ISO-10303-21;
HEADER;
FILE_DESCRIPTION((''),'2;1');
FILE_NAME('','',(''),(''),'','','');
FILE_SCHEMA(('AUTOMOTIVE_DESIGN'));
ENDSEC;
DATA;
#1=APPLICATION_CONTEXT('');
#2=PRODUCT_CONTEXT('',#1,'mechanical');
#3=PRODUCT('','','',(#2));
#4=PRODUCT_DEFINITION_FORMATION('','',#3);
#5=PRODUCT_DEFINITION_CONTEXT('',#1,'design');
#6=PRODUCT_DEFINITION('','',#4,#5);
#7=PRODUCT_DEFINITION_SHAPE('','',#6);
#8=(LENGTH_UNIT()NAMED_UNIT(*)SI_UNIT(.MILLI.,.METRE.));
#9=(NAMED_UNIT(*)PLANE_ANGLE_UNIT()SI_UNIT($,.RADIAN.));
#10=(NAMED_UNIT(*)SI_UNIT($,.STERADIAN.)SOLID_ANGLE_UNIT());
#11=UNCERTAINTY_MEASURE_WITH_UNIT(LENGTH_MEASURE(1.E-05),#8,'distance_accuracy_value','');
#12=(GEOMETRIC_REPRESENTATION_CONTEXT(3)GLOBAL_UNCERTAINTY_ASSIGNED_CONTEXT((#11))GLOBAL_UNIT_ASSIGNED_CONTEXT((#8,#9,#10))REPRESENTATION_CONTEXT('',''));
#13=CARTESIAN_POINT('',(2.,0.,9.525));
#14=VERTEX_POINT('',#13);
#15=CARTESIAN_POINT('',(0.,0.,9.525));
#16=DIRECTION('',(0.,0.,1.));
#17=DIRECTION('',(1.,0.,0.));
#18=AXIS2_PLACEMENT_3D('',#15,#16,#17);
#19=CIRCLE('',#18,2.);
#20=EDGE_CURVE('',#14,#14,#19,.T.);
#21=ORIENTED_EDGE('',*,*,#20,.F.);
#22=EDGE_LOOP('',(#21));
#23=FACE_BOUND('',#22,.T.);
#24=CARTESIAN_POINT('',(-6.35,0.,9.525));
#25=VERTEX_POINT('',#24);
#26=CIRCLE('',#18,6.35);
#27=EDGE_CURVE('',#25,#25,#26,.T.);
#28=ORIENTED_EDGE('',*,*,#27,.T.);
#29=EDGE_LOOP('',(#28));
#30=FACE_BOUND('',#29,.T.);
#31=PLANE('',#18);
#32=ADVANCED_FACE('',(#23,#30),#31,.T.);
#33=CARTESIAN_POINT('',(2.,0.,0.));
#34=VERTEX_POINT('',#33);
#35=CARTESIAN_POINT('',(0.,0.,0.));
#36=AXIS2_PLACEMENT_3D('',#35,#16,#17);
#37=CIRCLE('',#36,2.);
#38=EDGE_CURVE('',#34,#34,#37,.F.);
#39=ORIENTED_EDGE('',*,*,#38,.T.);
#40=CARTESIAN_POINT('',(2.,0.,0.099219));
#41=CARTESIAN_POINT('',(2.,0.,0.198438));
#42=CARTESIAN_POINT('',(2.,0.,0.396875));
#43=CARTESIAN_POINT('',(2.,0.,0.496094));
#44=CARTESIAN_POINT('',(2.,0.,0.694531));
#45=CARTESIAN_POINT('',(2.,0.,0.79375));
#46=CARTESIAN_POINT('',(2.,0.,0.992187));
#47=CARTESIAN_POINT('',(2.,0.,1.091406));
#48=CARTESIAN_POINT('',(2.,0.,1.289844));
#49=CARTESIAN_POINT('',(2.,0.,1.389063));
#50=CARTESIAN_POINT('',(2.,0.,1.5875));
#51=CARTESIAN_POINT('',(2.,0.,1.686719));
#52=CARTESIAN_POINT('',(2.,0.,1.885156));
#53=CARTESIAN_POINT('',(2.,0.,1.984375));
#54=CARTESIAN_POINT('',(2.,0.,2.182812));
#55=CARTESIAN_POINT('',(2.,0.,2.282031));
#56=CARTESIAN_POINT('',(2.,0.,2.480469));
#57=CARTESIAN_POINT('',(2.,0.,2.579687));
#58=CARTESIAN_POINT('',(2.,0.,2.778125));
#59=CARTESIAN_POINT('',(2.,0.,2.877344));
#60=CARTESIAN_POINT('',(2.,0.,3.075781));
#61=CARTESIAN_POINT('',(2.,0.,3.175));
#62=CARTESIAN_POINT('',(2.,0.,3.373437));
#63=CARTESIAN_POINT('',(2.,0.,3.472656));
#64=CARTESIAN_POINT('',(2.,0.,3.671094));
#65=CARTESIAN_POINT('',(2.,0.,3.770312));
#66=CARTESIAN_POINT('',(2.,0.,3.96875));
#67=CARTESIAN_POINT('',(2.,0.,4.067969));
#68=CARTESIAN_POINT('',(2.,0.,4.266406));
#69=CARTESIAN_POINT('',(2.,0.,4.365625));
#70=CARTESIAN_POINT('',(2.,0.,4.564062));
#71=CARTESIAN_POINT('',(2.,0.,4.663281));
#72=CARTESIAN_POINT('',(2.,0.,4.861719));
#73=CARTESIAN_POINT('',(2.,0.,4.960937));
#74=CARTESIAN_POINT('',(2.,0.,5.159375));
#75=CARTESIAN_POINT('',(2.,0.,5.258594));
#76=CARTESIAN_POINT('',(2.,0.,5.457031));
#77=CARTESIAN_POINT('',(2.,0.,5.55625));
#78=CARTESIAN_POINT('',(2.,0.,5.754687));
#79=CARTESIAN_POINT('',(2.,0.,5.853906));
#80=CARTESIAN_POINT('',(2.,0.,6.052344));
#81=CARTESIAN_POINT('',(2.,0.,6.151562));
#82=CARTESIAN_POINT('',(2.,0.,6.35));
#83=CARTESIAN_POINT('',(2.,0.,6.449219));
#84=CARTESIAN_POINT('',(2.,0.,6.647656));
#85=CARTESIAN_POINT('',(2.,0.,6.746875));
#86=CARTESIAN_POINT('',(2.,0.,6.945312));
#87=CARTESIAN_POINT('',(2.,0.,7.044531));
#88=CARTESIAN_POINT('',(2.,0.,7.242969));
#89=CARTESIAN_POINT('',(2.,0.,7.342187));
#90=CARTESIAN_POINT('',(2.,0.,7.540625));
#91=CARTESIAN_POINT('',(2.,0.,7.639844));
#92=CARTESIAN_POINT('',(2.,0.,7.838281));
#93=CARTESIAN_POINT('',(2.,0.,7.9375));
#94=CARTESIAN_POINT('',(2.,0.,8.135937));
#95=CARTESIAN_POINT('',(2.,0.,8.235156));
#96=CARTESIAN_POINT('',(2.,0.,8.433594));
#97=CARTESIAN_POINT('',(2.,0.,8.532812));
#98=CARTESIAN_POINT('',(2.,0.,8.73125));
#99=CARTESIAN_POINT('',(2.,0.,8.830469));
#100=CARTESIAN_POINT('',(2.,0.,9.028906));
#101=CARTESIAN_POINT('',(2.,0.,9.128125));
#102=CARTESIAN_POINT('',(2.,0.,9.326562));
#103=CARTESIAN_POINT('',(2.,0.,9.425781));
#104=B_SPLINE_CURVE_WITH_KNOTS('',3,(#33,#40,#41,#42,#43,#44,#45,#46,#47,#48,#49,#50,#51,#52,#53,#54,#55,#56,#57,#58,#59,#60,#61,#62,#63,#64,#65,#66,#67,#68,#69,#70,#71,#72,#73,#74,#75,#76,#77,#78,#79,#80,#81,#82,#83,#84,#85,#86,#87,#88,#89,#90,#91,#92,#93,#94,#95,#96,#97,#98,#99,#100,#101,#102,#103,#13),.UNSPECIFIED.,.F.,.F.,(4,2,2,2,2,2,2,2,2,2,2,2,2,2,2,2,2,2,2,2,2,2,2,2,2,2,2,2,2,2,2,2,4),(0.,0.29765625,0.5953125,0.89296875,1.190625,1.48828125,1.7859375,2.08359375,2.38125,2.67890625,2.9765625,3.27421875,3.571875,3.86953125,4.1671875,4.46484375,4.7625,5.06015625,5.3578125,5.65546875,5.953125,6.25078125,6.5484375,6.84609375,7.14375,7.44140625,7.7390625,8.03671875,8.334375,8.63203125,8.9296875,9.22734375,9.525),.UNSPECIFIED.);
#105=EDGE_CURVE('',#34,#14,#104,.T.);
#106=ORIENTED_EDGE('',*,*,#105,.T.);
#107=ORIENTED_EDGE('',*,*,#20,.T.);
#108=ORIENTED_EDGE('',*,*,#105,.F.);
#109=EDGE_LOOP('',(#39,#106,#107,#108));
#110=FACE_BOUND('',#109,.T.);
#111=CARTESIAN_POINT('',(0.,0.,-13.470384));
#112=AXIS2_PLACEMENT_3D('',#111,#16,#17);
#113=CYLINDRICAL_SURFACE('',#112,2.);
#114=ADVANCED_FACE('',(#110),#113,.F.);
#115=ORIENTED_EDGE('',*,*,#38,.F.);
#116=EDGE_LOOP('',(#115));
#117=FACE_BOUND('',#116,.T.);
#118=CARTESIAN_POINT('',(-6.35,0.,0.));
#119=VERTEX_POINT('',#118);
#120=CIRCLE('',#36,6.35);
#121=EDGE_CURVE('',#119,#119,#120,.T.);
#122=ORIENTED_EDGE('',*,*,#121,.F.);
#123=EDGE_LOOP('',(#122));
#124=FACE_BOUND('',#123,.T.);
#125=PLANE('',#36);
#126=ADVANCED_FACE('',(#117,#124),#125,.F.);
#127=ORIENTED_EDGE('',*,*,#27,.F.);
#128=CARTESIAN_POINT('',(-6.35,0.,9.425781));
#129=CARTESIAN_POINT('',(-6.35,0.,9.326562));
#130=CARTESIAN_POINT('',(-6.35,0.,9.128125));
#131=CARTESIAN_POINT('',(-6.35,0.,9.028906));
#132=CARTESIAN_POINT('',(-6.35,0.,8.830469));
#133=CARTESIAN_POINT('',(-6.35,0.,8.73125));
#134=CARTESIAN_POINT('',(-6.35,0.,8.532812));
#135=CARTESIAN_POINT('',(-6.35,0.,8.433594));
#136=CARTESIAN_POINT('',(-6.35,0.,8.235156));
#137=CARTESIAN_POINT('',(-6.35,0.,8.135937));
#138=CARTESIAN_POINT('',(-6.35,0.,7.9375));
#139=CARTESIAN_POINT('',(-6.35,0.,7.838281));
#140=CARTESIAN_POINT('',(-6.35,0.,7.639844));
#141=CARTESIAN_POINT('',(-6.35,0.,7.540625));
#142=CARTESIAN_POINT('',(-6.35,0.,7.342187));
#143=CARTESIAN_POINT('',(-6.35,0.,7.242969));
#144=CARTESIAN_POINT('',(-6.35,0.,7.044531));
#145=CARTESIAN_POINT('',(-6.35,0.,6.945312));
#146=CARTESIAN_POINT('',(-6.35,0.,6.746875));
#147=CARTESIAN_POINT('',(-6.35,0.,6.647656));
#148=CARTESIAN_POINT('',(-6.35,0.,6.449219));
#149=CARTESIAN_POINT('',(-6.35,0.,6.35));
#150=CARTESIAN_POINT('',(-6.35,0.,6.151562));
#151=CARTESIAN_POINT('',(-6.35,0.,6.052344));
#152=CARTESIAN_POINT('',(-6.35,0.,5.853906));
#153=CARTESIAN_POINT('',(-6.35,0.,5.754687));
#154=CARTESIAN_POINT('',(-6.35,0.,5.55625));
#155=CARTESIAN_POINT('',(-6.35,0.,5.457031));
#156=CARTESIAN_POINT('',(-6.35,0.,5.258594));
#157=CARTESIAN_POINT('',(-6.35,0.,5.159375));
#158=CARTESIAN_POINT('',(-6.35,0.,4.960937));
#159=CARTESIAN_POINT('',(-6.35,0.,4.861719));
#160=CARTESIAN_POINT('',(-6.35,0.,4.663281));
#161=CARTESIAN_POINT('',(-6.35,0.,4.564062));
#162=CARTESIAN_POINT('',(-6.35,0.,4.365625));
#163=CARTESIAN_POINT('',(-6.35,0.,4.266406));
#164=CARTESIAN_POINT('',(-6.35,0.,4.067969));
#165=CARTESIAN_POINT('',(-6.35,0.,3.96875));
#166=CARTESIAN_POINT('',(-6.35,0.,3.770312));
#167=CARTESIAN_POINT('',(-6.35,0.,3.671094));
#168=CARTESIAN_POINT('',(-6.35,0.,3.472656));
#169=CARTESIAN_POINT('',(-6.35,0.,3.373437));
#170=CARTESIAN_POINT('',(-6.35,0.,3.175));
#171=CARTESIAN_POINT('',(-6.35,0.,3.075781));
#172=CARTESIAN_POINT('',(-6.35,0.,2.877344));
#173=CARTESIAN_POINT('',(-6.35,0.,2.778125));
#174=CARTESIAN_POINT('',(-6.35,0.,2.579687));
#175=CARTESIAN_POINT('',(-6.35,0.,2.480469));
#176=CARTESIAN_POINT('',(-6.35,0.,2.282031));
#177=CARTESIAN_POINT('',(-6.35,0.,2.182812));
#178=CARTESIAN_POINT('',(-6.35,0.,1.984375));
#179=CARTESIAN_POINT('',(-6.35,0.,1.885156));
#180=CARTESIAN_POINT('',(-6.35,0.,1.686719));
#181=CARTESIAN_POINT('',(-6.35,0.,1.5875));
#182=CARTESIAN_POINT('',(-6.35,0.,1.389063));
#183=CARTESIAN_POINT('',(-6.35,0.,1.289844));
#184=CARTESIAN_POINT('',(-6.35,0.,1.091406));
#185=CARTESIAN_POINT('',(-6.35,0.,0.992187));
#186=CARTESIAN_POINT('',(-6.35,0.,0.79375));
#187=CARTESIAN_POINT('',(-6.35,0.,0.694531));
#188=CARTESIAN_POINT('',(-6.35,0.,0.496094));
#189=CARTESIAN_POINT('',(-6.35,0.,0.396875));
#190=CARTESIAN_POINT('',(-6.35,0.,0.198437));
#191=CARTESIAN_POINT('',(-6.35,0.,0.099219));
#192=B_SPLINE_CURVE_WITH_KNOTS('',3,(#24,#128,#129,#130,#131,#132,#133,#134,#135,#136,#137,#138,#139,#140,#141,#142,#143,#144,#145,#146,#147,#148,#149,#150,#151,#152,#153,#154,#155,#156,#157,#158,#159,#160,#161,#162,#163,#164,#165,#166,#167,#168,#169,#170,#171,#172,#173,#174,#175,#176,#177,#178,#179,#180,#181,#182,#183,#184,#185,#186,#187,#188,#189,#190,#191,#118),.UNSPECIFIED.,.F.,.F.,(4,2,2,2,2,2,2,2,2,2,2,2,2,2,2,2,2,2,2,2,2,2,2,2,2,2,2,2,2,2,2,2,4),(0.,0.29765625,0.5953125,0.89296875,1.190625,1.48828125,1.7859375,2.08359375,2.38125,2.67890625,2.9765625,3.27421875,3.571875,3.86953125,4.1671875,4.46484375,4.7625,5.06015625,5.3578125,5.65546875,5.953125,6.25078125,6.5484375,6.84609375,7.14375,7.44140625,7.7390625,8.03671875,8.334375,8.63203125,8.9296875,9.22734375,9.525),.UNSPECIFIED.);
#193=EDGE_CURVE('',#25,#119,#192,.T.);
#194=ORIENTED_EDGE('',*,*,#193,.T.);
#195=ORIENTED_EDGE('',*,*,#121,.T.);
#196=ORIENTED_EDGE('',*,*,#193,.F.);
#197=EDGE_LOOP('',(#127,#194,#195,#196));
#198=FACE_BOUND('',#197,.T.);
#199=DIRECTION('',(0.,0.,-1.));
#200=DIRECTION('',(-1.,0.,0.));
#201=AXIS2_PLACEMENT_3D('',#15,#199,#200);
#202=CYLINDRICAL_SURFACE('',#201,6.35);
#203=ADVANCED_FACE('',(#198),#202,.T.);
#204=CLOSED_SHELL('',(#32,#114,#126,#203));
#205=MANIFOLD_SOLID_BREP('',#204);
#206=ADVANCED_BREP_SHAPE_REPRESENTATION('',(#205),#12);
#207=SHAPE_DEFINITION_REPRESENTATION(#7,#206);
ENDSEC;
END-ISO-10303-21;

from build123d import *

# Parameters (mm, degrees)
SKETCH1_R           = 6.35
SKETCH1_R_2         = 4.7625
BOSS_EXTRUDE1_DEPTH = 9.525
BOSS_EXTRUDE2_START = -9.525
SKETCH2_R           = 4.7625
SKETCH2_R_2         = 2
BOSS_EXTRUDE2_DEPTH = 9.525


with BuildPart() as part:
    # Sketch1 → Boss-Extrude1 (new body)
    with BuildSketch(Plane.XY):
        Circle(SKETCH1_R)
        Circle(SKETCH1_R_2, mode=Mode.SUBTRACT)
    extrude(amount=BOSS_EXTRUDE1_DEPTH)

    # Sketch2 → Boss-Extrude2 (add)
    with BuildSketch(Plane.XY.offset(9.525).offset(BOSS_EXTRUDE2_START)):
        Circle(SKETCH2_R)
        Circle(SKETCH2_R_2, mode=Mode.SUBTRACT)
    extrude(amount=BOSS_EXTRUDE2_DEPTH)


solid = part.part
